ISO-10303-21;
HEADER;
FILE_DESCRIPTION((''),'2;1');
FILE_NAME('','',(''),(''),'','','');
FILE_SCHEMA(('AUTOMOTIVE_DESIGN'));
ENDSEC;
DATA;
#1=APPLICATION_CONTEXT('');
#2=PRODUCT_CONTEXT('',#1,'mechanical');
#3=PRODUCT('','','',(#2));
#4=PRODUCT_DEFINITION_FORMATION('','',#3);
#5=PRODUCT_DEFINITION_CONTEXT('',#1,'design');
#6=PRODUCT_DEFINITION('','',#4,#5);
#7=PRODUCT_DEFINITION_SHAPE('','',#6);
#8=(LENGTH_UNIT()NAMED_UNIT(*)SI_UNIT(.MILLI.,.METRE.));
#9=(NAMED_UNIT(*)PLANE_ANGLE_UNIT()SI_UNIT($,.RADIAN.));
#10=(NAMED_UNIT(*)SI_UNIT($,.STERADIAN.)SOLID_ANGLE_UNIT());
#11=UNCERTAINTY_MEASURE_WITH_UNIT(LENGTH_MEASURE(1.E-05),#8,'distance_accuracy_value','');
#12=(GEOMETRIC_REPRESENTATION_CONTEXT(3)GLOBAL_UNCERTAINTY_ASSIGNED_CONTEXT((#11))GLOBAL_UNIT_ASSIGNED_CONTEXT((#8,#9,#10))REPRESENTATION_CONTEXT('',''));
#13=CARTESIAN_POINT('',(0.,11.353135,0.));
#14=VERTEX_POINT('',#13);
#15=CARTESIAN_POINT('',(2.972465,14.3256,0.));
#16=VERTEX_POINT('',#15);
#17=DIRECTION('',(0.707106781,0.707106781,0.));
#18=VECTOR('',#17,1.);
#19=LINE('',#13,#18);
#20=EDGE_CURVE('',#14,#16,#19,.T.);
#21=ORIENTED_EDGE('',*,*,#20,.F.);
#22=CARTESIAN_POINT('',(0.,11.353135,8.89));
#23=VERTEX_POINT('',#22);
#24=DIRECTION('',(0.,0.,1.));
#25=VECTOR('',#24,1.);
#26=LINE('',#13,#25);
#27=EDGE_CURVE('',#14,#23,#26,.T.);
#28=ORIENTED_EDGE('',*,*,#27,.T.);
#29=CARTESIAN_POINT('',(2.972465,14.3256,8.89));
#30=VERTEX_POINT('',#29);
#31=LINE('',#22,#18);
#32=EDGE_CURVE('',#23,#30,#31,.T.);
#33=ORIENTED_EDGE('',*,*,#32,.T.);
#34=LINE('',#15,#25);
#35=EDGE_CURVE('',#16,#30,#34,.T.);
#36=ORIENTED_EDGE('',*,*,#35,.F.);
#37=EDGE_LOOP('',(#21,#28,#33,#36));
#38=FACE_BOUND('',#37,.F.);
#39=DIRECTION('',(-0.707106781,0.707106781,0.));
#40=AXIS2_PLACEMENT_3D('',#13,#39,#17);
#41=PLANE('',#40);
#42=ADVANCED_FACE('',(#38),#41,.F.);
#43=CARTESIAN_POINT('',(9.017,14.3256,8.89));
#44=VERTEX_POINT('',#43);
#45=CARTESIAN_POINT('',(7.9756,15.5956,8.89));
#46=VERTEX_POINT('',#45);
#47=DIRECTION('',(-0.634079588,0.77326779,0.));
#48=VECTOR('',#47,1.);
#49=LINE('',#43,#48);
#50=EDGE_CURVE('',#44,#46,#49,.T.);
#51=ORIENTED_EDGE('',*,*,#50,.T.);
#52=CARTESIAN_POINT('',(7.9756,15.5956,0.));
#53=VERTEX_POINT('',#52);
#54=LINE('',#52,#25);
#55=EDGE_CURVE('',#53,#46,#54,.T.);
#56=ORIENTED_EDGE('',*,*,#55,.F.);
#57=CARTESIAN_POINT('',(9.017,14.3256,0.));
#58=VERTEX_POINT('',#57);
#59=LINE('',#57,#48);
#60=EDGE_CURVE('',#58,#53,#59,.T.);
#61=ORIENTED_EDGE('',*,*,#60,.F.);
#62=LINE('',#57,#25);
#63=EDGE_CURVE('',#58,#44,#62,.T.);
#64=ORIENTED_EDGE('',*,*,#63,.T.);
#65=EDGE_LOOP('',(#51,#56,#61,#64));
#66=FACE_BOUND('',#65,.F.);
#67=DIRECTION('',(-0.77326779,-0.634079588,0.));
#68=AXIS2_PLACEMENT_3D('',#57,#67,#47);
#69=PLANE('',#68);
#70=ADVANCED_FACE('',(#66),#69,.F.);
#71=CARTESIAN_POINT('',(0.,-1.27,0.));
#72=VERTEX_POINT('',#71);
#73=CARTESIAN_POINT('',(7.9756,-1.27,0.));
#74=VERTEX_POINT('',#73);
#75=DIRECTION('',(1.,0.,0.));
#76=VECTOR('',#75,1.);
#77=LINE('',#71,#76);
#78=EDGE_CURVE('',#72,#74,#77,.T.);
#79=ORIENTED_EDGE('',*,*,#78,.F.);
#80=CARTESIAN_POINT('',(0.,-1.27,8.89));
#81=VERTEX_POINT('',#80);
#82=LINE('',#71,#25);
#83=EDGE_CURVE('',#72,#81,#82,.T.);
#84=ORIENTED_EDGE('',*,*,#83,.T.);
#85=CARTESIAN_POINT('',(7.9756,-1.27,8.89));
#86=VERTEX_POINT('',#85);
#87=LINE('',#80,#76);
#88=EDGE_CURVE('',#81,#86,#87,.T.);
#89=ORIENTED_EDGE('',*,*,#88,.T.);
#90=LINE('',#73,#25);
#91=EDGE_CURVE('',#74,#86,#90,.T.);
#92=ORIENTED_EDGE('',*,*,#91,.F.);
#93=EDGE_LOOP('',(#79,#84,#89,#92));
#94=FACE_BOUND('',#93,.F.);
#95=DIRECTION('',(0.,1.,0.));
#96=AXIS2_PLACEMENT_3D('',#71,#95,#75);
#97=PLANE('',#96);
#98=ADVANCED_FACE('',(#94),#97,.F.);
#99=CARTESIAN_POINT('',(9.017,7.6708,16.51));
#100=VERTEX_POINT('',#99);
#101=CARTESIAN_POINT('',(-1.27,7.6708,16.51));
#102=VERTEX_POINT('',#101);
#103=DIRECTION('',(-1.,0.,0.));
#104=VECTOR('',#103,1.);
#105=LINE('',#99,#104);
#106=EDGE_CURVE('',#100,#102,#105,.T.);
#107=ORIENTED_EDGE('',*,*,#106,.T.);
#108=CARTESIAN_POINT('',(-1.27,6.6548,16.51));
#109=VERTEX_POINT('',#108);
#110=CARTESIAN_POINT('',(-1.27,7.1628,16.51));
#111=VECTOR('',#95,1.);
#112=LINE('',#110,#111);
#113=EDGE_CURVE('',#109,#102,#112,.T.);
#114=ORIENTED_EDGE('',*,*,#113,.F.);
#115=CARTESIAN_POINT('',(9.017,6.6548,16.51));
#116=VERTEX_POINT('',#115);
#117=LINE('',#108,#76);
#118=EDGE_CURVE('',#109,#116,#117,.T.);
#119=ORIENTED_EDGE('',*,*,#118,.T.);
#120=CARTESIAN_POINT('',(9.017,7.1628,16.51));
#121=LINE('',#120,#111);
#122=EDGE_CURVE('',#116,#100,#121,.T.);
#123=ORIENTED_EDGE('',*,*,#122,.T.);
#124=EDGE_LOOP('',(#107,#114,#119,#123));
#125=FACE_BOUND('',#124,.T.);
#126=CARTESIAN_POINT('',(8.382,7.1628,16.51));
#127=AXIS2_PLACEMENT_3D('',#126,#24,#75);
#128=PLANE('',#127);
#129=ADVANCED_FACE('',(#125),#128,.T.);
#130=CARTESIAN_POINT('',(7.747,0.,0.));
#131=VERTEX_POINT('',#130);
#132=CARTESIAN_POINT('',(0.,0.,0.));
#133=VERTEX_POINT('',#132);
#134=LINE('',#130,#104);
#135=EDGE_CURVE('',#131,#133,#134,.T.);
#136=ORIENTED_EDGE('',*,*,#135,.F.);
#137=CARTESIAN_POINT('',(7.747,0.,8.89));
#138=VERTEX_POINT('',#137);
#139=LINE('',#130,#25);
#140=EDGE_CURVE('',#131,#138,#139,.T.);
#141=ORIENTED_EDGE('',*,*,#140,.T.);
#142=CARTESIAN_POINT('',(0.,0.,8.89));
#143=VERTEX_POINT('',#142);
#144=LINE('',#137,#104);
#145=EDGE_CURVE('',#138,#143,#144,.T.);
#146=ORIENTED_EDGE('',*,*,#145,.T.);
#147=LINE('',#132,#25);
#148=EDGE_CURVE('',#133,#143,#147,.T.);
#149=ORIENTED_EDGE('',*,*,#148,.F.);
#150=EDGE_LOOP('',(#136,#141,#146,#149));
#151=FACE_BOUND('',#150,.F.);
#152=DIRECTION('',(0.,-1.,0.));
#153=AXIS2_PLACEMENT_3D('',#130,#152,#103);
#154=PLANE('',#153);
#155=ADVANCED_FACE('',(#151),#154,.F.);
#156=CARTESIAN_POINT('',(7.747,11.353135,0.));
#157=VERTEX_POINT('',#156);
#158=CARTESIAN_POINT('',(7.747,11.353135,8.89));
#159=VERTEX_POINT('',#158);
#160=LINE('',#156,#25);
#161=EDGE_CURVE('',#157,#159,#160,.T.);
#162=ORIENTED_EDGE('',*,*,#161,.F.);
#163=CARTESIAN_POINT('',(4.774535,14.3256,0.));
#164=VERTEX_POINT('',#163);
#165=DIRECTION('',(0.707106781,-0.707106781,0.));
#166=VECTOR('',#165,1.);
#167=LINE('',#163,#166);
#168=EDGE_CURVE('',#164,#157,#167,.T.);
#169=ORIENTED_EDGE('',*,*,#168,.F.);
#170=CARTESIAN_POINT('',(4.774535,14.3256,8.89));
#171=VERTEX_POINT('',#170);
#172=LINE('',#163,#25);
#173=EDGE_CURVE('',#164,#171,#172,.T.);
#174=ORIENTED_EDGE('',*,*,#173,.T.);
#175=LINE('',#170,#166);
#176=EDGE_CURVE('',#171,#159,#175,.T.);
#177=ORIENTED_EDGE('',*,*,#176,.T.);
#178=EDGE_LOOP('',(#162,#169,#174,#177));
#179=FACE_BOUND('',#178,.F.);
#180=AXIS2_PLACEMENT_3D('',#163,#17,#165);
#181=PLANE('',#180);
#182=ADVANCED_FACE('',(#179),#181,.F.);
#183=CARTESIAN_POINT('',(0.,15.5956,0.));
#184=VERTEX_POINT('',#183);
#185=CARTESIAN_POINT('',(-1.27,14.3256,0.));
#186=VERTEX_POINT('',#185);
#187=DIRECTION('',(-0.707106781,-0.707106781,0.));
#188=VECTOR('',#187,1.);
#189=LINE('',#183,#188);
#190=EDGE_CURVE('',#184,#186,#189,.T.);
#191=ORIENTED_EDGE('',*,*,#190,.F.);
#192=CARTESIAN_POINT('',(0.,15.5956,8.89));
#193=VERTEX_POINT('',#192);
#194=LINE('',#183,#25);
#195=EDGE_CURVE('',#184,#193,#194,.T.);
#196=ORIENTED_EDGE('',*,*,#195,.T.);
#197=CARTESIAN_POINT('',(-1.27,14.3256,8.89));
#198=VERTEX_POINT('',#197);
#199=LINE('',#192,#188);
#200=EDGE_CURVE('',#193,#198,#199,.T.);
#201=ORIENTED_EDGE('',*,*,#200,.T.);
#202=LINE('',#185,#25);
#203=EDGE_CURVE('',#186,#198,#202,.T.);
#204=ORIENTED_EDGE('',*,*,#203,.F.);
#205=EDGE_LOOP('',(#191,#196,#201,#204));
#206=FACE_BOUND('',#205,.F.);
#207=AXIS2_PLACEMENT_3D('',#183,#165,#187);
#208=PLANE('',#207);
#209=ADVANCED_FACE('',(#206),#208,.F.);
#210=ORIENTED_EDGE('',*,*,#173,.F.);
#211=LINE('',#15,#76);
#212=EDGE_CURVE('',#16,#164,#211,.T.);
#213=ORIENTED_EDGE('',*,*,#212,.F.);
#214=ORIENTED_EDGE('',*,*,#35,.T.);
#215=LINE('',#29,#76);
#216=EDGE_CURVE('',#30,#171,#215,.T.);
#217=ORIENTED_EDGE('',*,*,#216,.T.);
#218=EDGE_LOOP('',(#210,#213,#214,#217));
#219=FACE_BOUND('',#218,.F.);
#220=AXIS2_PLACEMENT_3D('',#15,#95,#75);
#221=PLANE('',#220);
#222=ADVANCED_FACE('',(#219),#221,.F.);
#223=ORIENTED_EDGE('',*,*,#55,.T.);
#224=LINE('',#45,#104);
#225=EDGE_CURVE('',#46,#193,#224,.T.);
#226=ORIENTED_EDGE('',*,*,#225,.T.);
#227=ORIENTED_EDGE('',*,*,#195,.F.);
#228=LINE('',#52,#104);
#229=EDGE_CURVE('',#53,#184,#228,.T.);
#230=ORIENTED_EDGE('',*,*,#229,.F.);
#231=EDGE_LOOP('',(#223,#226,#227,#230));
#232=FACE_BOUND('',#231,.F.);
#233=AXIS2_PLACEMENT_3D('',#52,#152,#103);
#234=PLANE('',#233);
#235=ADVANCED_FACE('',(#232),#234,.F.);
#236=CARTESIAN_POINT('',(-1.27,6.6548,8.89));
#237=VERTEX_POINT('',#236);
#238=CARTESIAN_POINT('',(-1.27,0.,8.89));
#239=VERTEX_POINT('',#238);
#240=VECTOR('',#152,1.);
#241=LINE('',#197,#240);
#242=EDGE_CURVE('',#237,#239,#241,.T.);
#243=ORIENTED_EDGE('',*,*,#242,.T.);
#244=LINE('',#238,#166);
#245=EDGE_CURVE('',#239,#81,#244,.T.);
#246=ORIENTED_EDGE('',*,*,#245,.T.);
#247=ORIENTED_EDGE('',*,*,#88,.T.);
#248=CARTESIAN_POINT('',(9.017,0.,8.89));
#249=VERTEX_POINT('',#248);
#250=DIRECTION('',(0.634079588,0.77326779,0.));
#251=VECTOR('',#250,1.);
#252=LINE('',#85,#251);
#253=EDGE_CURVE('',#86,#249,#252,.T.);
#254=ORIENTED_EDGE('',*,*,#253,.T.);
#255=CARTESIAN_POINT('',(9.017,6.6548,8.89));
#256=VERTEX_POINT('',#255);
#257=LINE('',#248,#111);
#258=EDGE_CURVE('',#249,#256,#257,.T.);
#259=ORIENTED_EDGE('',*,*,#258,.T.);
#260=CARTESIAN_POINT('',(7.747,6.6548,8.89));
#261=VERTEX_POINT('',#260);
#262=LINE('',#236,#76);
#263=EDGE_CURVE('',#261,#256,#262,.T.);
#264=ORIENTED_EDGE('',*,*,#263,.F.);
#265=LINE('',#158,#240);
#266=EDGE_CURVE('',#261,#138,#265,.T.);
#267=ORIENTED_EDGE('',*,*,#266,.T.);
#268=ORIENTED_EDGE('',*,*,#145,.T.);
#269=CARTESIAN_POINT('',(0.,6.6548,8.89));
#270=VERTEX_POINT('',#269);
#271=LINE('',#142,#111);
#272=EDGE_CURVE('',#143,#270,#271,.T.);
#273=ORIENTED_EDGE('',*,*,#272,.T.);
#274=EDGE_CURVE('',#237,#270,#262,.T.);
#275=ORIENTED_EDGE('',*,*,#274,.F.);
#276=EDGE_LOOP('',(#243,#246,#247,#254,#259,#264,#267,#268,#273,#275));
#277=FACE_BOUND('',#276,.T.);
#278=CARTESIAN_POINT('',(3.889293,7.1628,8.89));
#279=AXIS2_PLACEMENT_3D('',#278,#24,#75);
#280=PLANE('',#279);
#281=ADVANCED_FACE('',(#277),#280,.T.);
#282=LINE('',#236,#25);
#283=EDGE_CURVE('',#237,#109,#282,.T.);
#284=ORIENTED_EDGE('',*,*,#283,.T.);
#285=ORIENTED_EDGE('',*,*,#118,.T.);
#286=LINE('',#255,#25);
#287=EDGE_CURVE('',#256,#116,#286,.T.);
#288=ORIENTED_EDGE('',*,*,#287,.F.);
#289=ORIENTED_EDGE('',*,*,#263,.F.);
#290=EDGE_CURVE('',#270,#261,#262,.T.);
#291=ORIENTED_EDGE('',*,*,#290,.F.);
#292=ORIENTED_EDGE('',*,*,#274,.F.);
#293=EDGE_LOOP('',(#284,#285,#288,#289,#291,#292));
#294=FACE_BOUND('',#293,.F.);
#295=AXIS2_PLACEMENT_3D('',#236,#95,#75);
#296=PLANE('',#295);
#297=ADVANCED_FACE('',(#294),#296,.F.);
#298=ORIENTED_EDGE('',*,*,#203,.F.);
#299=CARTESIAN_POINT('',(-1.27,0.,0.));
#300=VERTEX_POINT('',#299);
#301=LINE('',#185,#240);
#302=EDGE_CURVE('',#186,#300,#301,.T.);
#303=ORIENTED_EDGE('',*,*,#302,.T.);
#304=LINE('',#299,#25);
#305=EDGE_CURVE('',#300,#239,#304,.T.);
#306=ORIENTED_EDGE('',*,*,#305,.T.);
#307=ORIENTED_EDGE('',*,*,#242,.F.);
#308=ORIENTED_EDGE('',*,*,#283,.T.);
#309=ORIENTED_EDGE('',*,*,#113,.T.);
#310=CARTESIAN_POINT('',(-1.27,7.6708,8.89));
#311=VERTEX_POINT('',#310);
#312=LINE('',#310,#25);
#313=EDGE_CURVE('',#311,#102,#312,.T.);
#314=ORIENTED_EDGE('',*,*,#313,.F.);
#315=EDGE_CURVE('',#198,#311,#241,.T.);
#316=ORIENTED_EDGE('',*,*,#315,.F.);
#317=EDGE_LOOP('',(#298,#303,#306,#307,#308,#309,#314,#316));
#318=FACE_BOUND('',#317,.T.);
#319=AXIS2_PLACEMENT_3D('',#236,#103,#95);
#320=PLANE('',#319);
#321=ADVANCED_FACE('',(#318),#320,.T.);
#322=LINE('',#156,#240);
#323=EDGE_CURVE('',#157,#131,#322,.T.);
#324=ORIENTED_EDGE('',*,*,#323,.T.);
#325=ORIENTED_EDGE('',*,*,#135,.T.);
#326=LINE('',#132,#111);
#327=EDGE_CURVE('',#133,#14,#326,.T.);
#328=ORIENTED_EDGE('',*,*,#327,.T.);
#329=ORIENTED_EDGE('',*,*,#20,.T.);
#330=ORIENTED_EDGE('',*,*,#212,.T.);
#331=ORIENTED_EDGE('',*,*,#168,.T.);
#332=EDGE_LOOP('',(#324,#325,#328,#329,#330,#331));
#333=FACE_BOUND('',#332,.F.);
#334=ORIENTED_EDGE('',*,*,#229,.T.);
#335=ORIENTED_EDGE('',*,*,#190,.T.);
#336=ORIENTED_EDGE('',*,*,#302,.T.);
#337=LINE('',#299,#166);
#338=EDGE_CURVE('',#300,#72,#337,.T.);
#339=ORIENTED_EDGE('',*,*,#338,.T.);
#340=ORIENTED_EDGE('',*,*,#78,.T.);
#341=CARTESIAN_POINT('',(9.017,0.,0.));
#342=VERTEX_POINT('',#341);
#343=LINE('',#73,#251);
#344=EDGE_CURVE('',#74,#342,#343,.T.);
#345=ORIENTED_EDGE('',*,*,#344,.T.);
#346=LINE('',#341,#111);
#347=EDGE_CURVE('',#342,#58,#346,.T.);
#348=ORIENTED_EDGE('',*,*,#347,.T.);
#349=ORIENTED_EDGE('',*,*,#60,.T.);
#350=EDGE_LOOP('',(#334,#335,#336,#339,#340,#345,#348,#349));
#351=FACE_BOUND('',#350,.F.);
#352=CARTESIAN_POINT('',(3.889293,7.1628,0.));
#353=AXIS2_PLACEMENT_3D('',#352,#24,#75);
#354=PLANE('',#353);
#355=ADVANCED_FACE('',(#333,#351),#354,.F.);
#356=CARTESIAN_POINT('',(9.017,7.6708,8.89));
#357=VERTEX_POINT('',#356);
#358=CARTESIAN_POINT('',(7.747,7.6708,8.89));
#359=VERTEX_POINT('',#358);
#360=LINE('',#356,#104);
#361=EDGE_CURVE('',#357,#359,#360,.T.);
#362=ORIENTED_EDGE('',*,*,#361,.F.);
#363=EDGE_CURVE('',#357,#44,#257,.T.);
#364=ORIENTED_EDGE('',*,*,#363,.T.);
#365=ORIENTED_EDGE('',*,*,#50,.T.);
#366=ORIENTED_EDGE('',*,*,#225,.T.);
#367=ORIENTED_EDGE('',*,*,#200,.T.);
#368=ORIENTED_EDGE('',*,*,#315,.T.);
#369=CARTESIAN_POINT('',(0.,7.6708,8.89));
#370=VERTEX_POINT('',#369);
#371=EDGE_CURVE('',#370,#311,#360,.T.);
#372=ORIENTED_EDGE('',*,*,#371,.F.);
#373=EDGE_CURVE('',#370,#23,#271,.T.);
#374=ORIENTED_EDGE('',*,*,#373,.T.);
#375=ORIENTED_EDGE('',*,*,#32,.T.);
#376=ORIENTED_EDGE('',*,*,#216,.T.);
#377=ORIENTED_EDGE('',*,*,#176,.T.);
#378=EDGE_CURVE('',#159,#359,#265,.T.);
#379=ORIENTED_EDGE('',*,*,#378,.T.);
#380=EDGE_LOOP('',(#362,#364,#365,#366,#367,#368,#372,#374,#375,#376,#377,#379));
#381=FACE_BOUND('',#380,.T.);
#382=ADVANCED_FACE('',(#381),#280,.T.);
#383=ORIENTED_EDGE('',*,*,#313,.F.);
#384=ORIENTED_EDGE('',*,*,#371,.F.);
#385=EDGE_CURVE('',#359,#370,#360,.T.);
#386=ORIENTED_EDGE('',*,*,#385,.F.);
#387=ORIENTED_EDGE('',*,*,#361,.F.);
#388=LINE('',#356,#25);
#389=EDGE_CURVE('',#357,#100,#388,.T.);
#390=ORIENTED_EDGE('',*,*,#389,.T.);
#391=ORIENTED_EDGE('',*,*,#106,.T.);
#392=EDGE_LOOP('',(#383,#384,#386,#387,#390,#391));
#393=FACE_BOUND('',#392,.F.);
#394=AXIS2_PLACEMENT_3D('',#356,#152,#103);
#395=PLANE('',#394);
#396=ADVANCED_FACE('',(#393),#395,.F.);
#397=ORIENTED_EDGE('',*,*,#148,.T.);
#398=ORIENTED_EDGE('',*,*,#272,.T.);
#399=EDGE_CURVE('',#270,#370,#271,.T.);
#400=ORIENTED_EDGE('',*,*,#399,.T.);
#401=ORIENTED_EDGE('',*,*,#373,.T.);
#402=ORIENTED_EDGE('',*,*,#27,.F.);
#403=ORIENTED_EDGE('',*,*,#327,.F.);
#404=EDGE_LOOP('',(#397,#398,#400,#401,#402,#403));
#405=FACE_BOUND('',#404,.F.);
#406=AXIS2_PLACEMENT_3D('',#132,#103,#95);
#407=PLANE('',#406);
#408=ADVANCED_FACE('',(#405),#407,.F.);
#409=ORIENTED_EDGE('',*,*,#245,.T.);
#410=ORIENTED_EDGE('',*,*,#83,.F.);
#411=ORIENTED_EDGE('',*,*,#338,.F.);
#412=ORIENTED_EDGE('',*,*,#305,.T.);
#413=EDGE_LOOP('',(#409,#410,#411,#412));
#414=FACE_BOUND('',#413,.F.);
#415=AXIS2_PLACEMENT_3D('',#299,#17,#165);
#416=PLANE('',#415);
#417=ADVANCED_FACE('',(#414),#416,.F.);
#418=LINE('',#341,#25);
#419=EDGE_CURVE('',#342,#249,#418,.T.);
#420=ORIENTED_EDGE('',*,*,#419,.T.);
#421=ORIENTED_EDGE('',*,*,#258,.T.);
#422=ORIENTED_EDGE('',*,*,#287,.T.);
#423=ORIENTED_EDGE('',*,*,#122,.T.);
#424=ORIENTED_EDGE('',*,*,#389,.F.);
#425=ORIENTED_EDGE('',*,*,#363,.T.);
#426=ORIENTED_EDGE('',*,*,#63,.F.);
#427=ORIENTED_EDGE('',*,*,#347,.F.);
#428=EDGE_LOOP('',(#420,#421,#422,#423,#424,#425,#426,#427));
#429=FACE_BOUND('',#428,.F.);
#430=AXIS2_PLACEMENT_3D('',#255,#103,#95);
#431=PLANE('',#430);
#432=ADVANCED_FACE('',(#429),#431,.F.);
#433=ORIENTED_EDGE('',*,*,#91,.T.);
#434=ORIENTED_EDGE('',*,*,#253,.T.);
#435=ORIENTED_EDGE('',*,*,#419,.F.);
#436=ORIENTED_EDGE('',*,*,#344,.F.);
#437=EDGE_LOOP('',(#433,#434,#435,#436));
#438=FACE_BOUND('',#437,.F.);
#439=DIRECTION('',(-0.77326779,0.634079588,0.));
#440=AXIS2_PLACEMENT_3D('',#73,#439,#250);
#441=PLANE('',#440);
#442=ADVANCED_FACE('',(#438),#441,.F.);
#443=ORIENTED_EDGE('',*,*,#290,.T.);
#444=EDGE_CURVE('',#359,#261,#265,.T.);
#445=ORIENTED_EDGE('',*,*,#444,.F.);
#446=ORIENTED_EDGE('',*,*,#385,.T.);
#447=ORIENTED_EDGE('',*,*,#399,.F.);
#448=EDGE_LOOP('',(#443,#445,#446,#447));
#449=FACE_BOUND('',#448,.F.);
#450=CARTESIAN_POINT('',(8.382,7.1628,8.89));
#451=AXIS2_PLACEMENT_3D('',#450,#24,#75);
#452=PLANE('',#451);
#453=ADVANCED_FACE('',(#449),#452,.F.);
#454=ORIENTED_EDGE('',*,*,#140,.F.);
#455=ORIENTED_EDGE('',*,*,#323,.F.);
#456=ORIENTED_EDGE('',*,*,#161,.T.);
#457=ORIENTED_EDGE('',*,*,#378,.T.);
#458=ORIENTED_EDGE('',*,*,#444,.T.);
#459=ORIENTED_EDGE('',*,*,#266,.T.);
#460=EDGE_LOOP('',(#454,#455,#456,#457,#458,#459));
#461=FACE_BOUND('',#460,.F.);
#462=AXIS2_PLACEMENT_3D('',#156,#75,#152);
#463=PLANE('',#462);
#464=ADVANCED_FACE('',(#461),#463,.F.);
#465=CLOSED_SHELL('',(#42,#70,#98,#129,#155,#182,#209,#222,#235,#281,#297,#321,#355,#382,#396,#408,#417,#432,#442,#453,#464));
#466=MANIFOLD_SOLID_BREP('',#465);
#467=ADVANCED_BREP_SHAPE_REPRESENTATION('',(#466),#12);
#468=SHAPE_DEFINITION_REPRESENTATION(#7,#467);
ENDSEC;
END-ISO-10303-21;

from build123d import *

# Parameters (mm, degrees)
F1_DEPTH = 8.89
F2_W     = 1.27
F2_H     = 1.016
F2_W_2   = 7.747
F3_DEPTH = 7.62


with BuildPart() as f1:
    # F0 (on Top) → F1 (new body)
    with BuildSketch(Plane.XY):
        Polygon((7.9756, -1.27), (9.017, 0), (9.017, 14.3256), (7.9756, 15.5956), (0, 15.5956), (-1.27, 14.3256), (-1.27, 0), (0, -1.27), align=None)
        Polygon((7.747, 0), (0, 0), (0, 11.3531352239), (2.9724647761, 14.3256), (4.7745352239, 14.3256), (7.747, 11.3531352239), align=None, mode=Mode.SUBTRACT)
    extrude(amount=F1_DEPTH)

    # F2 (on face) → F3 (join)
    with BuildSketch(Plane.XY.offset(8.89)):
        with Locations((8.382, 7.1628)):
            Rectangle(F2_W, F2_H)
        with Locations((3.8735, 7.1628)):
            Rectangle(F2_W_2, F2_H)
        with Locations((-0.635, 7.1628)):
            Rectangle(F2_W, F2_H)
    extrude(amount=F3_DEPTH)


solid = f1.part
